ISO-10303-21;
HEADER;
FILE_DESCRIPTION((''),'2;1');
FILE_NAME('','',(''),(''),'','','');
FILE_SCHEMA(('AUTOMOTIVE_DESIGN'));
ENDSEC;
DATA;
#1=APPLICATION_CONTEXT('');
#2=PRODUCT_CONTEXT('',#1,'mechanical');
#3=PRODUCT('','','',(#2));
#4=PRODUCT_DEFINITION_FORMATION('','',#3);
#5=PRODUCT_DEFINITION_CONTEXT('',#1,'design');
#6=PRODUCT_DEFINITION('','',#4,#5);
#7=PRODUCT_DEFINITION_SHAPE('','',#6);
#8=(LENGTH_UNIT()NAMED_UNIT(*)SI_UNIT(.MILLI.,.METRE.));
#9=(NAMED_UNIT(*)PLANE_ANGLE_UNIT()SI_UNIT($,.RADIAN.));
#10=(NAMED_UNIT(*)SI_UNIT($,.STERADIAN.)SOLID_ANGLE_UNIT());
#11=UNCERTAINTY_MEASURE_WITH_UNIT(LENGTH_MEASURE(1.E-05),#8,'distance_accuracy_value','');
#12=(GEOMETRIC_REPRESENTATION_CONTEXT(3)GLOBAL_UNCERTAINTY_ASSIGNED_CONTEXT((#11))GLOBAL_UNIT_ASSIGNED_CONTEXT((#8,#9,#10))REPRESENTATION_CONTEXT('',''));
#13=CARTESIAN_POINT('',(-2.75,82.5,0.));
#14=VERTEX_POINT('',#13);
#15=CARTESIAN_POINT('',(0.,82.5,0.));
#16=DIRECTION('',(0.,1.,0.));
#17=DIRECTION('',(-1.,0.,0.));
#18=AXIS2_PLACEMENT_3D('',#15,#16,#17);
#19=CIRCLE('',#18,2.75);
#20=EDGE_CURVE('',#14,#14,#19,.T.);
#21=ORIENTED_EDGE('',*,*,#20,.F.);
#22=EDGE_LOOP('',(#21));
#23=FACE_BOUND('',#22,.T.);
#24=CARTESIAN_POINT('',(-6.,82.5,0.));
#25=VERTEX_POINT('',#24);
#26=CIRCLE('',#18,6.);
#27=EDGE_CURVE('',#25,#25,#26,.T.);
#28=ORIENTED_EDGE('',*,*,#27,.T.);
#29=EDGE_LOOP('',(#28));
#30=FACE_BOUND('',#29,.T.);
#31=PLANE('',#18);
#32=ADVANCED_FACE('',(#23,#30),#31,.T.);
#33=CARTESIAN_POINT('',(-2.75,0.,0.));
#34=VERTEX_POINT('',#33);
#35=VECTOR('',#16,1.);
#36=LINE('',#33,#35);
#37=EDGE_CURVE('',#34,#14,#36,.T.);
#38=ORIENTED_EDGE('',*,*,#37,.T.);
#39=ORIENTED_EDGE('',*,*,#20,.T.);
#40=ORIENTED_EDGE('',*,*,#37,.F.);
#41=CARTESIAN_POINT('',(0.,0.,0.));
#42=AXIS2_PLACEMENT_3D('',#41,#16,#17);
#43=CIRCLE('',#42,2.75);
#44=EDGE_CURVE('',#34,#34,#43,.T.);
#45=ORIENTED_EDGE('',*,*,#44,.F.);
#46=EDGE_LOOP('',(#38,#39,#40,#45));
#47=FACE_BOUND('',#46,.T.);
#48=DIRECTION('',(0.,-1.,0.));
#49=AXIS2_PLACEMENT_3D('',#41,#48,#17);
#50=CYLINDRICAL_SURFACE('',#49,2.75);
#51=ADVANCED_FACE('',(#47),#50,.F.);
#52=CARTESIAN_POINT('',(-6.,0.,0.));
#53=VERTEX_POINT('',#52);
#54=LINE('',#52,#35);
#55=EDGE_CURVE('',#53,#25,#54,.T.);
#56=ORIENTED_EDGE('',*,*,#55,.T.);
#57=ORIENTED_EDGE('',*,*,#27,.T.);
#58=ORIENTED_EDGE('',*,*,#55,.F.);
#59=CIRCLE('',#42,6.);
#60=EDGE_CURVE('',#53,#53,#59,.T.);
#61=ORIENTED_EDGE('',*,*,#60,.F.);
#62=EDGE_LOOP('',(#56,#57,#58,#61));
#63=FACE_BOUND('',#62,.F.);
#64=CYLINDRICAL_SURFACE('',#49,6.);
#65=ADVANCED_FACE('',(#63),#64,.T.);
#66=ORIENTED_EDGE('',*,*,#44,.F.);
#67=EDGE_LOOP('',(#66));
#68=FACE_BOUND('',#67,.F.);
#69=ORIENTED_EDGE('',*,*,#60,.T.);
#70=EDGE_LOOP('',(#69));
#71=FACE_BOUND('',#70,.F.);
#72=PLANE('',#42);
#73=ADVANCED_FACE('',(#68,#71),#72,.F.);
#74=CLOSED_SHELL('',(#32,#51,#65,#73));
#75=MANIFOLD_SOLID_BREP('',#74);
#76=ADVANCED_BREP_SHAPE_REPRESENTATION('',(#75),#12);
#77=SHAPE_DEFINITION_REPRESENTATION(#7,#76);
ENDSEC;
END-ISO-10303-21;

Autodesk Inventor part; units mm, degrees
ref_plane "YZ Plane" through (0, 0, 0) normal (1, 0, 0) x (0, 1, 0)
ref_plane "XZ Plane" through (0, 0, 0) normal (0, 1, 0) x (-1, 0, 0)
ref_plane "XY Plane" through (0, 0, 0) normal (0, 0, 1) x (1, 0, 0)
sketch "Szkic1" plane through (0, 0, 0) normal (0, 1, 0) x (-1, 0, 0)
  circle A0 centre (0, 0) radius 6
  circle A1 centre (0, 0) radius 2.75
  dimension "d0" = 12
  dimension "d1" = 5.5
extrude "Wyciągnięcie proste1" add sketch "Szkic1" along normal blind 82.5
properties part number "belkamid"
